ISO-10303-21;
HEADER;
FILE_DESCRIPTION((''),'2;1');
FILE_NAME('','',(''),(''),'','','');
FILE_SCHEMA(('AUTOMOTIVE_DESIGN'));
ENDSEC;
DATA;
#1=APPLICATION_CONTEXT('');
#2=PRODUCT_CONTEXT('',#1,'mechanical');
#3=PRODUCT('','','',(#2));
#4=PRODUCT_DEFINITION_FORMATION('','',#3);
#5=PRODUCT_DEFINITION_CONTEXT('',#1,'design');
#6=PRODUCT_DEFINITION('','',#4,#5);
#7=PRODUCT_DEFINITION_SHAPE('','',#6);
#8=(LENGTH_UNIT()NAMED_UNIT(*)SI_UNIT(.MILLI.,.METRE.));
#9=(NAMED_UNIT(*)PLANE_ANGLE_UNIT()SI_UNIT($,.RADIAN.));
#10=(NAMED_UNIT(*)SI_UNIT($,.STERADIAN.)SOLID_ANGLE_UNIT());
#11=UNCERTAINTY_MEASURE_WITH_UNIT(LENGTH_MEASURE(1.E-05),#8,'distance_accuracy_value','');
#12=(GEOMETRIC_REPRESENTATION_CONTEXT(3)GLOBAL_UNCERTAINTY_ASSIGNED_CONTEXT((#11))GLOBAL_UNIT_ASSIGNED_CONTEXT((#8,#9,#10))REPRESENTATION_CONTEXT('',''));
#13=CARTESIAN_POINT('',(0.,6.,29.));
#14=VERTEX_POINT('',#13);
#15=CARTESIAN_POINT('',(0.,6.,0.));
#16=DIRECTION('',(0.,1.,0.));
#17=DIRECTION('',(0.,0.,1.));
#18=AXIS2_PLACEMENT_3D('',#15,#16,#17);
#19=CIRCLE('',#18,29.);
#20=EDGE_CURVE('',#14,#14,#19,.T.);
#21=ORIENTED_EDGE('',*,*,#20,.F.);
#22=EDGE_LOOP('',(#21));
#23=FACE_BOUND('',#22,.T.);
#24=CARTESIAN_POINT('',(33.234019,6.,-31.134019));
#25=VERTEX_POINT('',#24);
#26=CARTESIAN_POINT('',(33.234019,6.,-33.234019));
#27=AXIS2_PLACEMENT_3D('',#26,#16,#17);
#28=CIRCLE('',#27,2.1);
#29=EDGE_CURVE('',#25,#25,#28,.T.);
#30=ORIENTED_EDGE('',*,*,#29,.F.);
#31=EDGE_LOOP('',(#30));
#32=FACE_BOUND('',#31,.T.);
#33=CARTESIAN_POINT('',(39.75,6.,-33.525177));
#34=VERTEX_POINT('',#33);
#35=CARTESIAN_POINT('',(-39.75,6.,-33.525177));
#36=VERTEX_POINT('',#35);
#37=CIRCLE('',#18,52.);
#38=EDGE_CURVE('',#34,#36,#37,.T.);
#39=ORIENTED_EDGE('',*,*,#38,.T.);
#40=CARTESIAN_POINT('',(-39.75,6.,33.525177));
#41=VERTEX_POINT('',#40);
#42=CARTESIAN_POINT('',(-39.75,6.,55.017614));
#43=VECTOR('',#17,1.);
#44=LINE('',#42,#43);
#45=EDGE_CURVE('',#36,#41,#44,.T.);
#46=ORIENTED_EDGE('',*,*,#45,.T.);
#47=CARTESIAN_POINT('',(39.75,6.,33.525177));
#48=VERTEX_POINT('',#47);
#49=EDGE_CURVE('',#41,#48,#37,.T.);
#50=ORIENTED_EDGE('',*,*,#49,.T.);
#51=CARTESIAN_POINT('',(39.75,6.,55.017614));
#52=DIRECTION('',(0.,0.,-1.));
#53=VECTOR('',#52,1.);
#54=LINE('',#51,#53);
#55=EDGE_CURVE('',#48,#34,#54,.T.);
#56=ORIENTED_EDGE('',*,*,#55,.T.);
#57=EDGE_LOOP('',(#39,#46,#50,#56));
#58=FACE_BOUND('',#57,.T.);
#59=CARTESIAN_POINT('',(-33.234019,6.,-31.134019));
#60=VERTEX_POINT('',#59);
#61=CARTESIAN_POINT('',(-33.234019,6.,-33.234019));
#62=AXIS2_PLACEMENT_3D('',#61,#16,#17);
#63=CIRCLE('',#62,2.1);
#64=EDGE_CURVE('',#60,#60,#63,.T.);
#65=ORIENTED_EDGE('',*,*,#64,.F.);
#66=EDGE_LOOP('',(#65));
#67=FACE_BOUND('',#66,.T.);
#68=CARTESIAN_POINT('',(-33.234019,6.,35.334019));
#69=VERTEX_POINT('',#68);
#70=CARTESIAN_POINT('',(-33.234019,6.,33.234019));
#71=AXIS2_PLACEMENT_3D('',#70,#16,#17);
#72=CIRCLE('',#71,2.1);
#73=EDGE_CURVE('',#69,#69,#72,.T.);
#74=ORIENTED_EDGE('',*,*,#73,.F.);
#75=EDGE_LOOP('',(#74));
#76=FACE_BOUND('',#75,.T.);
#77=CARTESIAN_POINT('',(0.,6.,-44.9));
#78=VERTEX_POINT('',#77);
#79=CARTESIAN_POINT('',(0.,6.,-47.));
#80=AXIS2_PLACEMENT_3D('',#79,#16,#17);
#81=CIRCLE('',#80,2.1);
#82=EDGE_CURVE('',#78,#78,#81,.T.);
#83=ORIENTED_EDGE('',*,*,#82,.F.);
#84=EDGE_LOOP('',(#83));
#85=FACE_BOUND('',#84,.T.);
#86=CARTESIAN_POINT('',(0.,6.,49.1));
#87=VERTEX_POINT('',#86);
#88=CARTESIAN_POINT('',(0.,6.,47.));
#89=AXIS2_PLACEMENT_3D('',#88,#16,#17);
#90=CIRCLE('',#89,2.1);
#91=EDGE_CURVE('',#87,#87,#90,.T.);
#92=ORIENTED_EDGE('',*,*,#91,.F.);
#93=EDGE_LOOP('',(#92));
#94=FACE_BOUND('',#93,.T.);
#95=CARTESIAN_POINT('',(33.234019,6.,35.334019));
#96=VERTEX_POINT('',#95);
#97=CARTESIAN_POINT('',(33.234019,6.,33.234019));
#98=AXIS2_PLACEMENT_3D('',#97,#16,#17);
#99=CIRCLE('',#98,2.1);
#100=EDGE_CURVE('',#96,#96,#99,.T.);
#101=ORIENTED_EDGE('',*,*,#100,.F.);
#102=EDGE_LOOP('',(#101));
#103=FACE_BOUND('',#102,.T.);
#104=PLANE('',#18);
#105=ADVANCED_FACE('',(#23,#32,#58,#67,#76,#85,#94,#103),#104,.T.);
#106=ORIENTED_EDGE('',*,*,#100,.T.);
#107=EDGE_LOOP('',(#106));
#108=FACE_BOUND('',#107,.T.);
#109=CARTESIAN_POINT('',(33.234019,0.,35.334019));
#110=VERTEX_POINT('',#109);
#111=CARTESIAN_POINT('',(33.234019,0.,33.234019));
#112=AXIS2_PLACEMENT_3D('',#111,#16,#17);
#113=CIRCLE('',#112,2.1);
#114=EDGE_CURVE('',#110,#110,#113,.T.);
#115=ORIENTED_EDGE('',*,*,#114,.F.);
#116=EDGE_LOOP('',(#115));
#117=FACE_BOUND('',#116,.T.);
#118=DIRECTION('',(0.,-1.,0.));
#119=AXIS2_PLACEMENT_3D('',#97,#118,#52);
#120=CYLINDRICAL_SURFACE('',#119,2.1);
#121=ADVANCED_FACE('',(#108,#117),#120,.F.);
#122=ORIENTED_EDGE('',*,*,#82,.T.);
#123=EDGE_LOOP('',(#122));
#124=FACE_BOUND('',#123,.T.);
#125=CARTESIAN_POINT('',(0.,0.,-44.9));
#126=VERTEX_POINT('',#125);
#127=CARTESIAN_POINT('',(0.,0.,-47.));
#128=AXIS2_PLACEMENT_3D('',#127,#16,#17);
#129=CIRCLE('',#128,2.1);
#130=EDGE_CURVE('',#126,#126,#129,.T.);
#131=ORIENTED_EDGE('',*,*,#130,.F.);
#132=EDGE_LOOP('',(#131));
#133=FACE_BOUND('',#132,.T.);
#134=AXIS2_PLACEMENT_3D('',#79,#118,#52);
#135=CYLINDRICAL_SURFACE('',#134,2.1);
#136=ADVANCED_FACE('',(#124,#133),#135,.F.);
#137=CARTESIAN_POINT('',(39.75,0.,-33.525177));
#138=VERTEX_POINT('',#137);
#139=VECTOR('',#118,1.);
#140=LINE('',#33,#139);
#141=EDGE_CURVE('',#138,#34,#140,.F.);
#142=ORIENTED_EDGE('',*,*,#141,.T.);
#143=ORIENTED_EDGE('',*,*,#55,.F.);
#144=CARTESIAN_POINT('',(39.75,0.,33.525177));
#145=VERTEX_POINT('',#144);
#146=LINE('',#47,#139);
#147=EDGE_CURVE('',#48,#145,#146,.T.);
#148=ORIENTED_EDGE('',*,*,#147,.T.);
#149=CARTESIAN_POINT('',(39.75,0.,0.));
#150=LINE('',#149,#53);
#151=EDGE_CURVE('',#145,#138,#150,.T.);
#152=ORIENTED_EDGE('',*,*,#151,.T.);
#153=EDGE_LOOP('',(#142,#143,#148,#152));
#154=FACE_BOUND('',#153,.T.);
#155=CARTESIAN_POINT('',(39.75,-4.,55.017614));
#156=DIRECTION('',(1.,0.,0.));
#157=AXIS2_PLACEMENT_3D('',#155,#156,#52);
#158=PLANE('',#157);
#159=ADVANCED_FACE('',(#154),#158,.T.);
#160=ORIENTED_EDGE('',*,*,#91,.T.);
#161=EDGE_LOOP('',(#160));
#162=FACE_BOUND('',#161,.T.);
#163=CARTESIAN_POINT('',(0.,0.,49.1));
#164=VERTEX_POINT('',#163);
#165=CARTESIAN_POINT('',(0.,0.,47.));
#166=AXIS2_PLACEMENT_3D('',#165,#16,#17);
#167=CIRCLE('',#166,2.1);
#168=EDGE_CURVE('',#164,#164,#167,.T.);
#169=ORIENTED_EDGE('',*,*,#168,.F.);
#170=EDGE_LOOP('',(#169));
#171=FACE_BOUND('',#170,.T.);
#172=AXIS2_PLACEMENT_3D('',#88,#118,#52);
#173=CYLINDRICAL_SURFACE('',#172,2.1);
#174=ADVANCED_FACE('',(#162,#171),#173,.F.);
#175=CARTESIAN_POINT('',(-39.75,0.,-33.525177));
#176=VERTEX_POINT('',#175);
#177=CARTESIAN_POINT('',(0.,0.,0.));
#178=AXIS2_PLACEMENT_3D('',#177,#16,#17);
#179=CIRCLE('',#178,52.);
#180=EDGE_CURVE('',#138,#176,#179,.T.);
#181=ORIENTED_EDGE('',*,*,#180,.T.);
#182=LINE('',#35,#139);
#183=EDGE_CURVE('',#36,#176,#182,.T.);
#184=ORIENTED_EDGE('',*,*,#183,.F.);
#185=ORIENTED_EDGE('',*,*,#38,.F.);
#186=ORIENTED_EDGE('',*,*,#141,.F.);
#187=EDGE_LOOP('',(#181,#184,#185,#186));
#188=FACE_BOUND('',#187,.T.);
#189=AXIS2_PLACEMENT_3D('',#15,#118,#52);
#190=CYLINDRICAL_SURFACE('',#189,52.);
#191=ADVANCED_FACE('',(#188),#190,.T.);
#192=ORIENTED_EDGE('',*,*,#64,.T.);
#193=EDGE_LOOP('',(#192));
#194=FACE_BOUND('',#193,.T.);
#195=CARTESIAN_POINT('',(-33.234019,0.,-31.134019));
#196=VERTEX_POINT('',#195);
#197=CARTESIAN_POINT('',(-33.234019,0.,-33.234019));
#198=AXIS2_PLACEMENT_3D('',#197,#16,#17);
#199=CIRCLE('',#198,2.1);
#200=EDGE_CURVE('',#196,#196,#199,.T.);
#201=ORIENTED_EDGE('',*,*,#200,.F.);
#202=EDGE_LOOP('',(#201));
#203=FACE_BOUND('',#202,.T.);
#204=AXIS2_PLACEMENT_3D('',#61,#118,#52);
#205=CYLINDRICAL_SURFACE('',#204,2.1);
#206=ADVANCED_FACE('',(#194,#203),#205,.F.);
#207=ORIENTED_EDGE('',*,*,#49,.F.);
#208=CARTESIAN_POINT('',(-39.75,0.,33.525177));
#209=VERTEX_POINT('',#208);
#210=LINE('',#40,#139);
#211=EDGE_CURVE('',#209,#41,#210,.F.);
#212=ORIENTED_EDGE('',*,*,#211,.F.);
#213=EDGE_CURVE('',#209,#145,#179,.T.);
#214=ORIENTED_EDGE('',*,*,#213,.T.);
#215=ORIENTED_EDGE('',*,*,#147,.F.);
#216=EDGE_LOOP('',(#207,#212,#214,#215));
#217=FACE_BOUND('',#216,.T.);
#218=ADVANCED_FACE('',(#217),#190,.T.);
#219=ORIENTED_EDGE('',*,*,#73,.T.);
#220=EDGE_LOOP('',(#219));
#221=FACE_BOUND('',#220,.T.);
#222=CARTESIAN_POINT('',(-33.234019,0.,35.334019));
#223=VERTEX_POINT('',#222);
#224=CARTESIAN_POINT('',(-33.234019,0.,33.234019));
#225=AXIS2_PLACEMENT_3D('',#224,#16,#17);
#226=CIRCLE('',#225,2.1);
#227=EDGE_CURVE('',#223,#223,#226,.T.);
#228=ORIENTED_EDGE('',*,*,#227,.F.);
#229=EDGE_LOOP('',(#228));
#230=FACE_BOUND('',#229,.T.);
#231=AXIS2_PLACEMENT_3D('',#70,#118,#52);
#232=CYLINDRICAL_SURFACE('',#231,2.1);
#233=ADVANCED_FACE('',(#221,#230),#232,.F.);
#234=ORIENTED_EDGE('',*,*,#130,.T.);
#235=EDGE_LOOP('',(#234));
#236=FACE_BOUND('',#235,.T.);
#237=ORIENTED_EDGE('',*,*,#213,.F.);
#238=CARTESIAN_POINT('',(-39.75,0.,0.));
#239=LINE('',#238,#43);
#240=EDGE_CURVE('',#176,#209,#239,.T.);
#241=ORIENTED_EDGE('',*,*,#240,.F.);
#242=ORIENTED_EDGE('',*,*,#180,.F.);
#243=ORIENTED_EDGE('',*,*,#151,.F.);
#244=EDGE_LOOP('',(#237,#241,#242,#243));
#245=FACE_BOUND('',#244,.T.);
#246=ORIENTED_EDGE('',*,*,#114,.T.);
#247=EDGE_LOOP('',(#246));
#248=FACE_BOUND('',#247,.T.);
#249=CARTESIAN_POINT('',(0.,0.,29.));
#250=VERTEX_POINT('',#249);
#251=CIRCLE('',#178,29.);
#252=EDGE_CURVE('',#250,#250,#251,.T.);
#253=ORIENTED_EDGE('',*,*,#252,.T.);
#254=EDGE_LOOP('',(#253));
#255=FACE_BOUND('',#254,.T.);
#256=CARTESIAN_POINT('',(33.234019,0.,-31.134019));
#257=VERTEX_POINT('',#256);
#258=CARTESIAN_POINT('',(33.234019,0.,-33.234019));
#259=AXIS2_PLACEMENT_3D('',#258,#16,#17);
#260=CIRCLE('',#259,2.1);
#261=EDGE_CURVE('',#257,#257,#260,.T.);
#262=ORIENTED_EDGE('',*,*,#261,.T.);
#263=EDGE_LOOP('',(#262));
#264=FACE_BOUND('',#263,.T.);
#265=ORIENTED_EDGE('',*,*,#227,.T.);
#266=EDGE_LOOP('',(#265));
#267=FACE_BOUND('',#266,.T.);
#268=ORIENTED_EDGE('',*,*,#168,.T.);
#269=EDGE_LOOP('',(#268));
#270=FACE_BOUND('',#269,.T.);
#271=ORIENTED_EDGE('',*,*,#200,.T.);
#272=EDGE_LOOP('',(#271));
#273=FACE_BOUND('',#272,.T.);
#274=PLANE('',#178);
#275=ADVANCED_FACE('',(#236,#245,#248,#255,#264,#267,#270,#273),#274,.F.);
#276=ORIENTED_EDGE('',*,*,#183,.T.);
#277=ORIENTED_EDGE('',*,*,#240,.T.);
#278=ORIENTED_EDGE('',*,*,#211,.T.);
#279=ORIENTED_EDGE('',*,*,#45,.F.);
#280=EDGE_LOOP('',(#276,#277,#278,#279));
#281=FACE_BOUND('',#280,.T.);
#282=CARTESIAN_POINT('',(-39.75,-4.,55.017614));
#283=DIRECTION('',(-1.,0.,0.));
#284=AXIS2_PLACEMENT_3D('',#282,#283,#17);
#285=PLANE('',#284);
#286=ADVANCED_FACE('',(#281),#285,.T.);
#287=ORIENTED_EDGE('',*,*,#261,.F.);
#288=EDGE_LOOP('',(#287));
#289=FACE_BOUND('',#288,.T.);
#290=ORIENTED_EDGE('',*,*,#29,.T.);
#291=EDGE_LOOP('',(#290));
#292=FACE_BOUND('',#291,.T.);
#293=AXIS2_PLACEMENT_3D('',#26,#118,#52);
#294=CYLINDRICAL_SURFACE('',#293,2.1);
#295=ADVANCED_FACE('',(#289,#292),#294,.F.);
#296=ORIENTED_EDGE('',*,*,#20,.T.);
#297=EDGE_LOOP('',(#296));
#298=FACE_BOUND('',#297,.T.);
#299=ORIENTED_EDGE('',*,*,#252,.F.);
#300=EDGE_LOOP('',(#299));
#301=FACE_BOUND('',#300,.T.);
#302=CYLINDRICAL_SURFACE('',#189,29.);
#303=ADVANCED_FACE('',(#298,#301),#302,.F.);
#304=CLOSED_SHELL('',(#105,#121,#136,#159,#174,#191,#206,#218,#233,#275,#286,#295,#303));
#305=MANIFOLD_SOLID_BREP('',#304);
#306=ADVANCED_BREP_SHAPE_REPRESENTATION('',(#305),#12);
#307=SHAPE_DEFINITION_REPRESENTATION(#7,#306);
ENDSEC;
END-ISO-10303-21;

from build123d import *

# Parameters (mm, degrees)
SKETCH_1_R          = 52
SKETCH_1_R_2        = 29
SKETCH_1_R_3        = 2.1
EXTRUDE_1_DEPTH     = 6
SKETCH_2_W          = 179.5
SKETCH_2_H          = 210.035227354
SKETCH_2_W_2        = 79.5
SKETCH_2_H_2        = 110.035227354
CUT_EXTRUDE_1_DEPTH = 10


with BuildPart() as part:
    # 草图1 → 凸台-拉伸1 (new body)
    with BuildSketch(Plane(origin=(0, 0, 0), x_dir=(1, 0, 0), z_dir=(0, 1, 0))):
        with Locations(Location((0, 0, 0), (0, 0, 270))):
            Circle(SKETCH_1_R)
        with Locations(Location((0, 0, 0), (0, 0, 270))):
            Circle(SKETCH_1_R_2, mode=Mode.SUBTRACT)
        with Locations(Location((47, 0, 0), (0, 0, 270))):
            Circle(SKETCH_1_R_3, mode=Mode.SUBTRACT)
        with Locations(Location((33.234018716, -33.234018716, 0), (0, 0, 270))):
            Circle(SKETCH_1_R_3, mode=Mode.SUBTRACT)
        with Locations(Location((0, -47, 0), (0, 0, 270))):
            Circle(SKETCH_1_R_3, mode=Mode.SUBTRACT)
        with Locations(Location((-33.234018716, -33.234018716, 0), (0, 0, 270))):
            Circle(SKETCH_1_R_3, mode=Mode.SUBTRACT)
        with Locations(Location((-47, 0, 0), (0, 0, 270))):
            Circle(SKETCH_1_R_3, mode=Mode.SUBTRACT)
        with Locations(Location((-33.234018716, 33.234018716, 0), (0, 0, 270))):
            Circle(SKETCH_1_R_3, mode=Mode.SUBTRACT)
        with Locations(Location((0, 47, 0), (0, 0, 270))):
            Circle(SKETCH_1_R_3, mode=Mode.SUBTRACT)
        with Locations(Location((33.234018716, 33.234018716, 0), (0, 0, 270))):
            Circle(SKETCH_1_R_3, mode=Mode.SUBTRACT)
    extrude(amount=EXTRUDE_1_DEPTH)

    # 草图2 → 切除-拉伸-薄壁1 (cut)
    with BuildSketch(Plane(origin=(0, 6, 0), x_dir=(1, 0, 0), z_dir=(0, 1, 0))):
        Rectangle(SKETCH_2_W, SKETCH_2_H)
        Rectangle(SKETCH_2_W_2, SKETCH_2_H_2, mode=Mode.SUBTRACT)
    extrude(amount=-CUT_EXTRUDE_1_DEPTH, mode=Mode.SUBTRACT)


solid = part.part
